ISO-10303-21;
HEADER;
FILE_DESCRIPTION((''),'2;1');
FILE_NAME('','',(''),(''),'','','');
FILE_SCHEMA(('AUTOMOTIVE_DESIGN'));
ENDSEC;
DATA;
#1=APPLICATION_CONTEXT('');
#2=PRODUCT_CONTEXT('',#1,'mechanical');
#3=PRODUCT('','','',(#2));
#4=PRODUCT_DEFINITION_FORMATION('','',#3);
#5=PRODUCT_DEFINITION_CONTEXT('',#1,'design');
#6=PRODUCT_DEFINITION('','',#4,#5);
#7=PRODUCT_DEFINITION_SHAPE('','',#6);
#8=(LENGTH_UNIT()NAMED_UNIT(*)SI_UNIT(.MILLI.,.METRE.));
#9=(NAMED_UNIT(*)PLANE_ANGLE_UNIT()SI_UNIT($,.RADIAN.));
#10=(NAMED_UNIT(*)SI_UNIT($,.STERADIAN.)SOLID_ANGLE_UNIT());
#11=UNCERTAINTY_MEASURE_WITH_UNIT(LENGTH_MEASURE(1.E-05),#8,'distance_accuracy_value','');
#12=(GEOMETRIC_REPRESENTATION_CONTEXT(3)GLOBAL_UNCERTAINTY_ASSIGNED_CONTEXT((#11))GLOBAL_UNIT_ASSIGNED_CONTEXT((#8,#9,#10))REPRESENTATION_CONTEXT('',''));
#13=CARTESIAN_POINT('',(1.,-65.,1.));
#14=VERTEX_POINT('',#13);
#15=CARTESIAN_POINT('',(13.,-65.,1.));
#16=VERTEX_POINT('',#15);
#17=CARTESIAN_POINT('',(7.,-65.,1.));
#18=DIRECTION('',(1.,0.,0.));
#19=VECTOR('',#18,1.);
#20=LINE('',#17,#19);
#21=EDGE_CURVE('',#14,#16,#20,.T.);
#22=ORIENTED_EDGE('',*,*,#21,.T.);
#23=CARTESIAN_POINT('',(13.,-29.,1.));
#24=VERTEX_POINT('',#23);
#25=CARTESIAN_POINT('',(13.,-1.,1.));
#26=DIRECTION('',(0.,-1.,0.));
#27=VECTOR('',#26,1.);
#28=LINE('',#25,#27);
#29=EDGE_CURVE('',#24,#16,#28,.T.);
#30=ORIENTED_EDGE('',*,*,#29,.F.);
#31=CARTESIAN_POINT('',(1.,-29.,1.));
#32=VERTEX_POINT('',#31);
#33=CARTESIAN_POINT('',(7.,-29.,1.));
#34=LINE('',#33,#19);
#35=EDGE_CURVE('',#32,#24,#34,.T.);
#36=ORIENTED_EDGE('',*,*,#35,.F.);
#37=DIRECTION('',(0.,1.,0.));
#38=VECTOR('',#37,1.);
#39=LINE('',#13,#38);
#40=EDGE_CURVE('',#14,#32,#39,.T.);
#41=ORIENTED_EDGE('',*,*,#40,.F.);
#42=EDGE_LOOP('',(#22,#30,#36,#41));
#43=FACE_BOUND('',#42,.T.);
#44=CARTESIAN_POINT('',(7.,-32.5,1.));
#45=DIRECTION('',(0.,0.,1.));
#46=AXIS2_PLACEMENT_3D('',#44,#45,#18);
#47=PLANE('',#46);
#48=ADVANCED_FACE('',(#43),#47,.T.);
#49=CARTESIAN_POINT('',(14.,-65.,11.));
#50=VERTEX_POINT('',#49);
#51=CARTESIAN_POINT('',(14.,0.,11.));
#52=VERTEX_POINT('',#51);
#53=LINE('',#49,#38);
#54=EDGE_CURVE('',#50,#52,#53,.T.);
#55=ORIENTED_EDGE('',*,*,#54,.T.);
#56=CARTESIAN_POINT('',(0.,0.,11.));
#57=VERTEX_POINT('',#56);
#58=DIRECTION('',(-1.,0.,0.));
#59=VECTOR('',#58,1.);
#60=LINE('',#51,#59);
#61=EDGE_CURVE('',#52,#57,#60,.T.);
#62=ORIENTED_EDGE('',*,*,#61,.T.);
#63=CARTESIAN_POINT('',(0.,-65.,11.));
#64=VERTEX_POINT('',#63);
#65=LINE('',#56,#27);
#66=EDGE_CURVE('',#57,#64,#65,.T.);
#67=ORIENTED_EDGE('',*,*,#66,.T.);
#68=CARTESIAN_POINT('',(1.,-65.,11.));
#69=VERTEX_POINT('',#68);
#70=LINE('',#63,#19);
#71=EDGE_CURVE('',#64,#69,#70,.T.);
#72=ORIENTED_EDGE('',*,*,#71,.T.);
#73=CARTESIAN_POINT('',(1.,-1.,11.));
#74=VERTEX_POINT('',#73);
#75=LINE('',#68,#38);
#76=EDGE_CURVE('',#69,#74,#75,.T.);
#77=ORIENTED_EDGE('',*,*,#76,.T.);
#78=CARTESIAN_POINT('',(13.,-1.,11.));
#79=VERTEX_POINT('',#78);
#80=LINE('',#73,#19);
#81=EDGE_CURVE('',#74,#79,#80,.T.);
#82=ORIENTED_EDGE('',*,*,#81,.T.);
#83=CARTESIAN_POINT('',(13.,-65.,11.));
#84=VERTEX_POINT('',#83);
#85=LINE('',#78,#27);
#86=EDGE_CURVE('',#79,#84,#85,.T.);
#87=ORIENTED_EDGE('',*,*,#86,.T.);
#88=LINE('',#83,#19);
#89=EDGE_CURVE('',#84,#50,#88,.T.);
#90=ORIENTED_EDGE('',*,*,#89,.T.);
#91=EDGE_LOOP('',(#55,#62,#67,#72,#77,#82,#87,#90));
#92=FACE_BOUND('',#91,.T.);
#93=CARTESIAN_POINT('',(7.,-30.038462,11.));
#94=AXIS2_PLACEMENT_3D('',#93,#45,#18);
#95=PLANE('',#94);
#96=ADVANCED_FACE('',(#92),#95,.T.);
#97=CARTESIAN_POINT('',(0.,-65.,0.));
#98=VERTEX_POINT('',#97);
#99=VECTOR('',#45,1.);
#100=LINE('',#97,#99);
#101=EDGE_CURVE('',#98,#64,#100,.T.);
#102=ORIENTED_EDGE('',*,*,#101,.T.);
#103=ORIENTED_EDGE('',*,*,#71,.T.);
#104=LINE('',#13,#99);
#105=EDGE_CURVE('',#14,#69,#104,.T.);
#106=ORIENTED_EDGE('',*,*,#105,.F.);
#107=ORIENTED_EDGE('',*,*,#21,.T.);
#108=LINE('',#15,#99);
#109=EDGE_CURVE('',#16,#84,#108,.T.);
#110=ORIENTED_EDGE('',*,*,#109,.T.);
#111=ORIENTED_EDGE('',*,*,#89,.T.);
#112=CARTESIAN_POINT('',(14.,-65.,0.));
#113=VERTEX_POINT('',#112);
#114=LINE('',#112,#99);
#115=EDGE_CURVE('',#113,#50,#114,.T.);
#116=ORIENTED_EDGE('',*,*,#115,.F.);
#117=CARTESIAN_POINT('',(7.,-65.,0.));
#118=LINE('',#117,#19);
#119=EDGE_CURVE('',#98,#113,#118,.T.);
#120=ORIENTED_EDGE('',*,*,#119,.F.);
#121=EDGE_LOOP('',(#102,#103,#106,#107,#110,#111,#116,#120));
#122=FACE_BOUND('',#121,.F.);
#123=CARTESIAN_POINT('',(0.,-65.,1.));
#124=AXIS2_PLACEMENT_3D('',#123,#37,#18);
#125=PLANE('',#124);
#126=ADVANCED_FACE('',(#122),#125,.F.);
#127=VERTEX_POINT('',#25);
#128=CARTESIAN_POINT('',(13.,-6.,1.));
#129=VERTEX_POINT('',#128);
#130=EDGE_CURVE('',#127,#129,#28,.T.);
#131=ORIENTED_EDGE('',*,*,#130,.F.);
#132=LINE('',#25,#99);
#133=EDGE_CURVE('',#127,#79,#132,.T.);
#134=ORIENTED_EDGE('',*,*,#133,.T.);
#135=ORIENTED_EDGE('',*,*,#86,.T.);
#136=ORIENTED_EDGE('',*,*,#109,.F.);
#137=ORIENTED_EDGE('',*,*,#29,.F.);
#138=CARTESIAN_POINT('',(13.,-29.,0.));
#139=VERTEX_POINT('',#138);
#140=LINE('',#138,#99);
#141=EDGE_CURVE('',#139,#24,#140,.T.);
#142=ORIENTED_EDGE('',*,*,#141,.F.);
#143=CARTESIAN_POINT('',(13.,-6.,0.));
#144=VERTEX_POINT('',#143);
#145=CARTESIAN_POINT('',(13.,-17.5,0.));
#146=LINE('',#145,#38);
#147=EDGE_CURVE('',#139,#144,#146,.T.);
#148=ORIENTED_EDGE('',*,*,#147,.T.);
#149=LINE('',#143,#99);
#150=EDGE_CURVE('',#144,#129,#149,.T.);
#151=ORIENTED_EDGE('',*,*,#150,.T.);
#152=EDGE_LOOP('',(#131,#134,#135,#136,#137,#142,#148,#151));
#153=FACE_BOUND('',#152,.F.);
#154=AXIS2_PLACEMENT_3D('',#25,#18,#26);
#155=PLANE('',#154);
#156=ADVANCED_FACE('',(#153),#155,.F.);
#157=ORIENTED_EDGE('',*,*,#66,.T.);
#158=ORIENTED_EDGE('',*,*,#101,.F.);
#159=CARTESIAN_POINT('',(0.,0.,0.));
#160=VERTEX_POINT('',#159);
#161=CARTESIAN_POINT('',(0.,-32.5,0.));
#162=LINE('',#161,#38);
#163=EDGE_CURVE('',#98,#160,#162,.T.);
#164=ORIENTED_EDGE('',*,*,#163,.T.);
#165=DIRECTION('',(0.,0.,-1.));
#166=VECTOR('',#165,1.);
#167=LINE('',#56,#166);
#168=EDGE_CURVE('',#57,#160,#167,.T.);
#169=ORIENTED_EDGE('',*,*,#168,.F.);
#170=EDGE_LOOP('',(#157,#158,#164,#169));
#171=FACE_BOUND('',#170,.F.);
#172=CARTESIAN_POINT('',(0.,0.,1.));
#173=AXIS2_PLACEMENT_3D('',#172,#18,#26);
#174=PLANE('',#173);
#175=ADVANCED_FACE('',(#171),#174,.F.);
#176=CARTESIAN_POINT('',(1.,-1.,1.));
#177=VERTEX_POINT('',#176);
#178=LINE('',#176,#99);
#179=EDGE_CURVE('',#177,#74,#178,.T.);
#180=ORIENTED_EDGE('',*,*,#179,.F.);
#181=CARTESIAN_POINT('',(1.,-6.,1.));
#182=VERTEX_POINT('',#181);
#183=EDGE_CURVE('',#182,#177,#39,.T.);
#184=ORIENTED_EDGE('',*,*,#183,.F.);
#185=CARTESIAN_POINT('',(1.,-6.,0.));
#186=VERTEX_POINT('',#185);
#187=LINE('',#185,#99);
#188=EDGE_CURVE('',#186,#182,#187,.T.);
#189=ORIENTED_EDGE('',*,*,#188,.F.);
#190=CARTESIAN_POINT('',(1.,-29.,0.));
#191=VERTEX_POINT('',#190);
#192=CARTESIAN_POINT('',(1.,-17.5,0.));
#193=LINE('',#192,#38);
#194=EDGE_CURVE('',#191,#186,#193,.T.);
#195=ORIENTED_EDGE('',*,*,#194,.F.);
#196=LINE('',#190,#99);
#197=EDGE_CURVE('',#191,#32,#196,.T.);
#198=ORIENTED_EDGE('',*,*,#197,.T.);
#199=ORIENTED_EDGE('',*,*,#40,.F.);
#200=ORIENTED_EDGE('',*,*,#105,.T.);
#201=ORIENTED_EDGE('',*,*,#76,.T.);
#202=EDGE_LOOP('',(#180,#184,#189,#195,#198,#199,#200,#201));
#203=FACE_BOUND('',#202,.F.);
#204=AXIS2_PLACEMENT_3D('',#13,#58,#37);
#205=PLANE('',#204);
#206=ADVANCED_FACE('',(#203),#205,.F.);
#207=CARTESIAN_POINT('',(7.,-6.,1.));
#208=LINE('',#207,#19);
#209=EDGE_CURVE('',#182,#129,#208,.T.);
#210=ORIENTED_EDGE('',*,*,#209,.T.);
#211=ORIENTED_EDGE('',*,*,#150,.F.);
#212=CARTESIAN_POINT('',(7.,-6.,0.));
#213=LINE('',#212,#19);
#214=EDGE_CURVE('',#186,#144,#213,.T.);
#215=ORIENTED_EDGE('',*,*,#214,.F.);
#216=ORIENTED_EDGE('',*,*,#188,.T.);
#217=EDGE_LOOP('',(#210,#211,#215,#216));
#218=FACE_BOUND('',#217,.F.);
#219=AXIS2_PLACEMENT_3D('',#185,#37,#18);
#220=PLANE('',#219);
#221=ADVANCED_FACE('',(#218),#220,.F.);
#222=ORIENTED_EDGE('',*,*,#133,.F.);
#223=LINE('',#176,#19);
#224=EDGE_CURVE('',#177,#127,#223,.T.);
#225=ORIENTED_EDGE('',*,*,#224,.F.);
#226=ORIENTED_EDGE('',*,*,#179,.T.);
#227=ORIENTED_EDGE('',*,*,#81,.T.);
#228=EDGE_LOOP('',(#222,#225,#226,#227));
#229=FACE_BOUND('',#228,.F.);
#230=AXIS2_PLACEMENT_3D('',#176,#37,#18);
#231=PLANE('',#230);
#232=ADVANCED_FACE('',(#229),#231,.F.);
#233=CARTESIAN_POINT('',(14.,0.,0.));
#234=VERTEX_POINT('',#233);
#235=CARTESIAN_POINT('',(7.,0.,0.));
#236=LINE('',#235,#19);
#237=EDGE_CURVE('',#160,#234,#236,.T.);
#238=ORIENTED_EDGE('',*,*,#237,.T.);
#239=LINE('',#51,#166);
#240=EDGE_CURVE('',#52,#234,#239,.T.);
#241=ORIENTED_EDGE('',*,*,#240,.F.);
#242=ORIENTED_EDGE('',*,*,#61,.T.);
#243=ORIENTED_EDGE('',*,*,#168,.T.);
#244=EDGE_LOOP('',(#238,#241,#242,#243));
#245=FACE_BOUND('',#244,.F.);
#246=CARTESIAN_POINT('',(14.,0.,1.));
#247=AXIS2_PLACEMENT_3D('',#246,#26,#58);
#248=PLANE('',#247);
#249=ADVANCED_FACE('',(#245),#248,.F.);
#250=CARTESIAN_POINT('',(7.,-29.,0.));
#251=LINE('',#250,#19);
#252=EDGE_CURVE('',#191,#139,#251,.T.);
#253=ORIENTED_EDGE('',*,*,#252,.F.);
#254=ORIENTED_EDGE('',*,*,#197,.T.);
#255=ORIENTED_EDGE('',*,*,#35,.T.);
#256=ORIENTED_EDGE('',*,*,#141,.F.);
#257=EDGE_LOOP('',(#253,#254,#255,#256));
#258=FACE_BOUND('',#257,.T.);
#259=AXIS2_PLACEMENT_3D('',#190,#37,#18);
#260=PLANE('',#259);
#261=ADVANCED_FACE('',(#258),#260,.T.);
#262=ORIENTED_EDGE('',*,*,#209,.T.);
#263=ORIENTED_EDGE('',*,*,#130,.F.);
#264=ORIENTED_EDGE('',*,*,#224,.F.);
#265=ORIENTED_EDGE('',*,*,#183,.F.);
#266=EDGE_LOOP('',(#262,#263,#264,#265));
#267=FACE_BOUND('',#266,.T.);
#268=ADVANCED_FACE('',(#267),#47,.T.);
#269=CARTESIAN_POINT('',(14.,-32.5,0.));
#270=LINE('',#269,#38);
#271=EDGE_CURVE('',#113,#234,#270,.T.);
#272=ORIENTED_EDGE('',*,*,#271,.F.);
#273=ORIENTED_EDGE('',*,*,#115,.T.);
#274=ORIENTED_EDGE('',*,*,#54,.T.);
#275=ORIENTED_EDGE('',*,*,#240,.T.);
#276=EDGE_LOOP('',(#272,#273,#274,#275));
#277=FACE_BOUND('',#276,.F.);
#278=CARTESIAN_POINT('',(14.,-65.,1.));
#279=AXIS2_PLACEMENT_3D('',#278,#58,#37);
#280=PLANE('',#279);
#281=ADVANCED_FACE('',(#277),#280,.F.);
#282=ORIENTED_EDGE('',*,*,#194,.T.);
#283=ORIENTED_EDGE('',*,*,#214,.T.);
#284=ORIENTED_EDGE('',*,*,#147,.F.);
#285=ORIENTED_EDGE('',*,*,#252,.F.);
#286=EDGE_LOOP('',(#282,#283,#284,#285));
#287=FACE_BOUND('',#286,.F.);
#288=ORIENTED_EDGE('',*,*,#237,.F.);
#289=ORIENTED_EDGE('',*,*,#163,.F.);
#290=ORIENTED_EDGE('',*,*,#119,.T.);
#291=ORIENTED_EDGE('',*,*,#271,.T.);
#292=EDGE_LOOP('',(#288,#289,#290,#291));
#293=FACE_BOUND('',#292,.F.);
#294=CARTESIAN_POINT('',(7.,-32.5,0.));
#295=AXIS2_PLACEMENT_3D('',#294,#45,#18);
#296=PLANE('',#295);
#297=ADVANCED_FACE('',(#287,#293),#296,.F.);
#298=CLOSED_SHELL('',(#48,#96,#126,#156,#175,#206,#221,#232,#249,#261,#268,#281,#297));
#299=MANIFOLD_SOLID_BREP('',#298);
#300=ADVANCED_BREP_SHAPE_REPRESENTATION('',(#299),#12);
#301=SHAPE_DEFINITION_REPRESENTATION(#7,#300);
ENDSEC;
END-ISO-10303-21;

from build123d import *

# Parameters (mm, degrees)
F1_W     = 14
F1_H     = 65
F1_W_2   = 12
F1_H_2   = 23
F2_DEPTH = 1
F4_DEPTH = 10


with BuildPart() as f2:
    # F1 (on Top) → F2 (new body)
    with BuildSketch(Plane.XY):
        with Locations((7, -32.5)):
            Rectangle(F1_W, F1_H)
        with Locations((7, -17.5)):
            Rectangle(F1_W_2, F1_H_2, mode=Mode.SUBTRACT)
    extrude(amount=F2_DEPTH)

    # F3 (on face) → F4 (join)
    with BuildSketch(Plane.XY.offset(1)):
        Polygon((0, 0), (0, -65), (1, -65), (1, -29), (1, -6), (1, -1), (13, -1), (13, -6), (13, -29), (13, -65), (14, -65), (14, 0), align=None)
    extrude(amount=F4_DEPTH)


solid = f2.part
